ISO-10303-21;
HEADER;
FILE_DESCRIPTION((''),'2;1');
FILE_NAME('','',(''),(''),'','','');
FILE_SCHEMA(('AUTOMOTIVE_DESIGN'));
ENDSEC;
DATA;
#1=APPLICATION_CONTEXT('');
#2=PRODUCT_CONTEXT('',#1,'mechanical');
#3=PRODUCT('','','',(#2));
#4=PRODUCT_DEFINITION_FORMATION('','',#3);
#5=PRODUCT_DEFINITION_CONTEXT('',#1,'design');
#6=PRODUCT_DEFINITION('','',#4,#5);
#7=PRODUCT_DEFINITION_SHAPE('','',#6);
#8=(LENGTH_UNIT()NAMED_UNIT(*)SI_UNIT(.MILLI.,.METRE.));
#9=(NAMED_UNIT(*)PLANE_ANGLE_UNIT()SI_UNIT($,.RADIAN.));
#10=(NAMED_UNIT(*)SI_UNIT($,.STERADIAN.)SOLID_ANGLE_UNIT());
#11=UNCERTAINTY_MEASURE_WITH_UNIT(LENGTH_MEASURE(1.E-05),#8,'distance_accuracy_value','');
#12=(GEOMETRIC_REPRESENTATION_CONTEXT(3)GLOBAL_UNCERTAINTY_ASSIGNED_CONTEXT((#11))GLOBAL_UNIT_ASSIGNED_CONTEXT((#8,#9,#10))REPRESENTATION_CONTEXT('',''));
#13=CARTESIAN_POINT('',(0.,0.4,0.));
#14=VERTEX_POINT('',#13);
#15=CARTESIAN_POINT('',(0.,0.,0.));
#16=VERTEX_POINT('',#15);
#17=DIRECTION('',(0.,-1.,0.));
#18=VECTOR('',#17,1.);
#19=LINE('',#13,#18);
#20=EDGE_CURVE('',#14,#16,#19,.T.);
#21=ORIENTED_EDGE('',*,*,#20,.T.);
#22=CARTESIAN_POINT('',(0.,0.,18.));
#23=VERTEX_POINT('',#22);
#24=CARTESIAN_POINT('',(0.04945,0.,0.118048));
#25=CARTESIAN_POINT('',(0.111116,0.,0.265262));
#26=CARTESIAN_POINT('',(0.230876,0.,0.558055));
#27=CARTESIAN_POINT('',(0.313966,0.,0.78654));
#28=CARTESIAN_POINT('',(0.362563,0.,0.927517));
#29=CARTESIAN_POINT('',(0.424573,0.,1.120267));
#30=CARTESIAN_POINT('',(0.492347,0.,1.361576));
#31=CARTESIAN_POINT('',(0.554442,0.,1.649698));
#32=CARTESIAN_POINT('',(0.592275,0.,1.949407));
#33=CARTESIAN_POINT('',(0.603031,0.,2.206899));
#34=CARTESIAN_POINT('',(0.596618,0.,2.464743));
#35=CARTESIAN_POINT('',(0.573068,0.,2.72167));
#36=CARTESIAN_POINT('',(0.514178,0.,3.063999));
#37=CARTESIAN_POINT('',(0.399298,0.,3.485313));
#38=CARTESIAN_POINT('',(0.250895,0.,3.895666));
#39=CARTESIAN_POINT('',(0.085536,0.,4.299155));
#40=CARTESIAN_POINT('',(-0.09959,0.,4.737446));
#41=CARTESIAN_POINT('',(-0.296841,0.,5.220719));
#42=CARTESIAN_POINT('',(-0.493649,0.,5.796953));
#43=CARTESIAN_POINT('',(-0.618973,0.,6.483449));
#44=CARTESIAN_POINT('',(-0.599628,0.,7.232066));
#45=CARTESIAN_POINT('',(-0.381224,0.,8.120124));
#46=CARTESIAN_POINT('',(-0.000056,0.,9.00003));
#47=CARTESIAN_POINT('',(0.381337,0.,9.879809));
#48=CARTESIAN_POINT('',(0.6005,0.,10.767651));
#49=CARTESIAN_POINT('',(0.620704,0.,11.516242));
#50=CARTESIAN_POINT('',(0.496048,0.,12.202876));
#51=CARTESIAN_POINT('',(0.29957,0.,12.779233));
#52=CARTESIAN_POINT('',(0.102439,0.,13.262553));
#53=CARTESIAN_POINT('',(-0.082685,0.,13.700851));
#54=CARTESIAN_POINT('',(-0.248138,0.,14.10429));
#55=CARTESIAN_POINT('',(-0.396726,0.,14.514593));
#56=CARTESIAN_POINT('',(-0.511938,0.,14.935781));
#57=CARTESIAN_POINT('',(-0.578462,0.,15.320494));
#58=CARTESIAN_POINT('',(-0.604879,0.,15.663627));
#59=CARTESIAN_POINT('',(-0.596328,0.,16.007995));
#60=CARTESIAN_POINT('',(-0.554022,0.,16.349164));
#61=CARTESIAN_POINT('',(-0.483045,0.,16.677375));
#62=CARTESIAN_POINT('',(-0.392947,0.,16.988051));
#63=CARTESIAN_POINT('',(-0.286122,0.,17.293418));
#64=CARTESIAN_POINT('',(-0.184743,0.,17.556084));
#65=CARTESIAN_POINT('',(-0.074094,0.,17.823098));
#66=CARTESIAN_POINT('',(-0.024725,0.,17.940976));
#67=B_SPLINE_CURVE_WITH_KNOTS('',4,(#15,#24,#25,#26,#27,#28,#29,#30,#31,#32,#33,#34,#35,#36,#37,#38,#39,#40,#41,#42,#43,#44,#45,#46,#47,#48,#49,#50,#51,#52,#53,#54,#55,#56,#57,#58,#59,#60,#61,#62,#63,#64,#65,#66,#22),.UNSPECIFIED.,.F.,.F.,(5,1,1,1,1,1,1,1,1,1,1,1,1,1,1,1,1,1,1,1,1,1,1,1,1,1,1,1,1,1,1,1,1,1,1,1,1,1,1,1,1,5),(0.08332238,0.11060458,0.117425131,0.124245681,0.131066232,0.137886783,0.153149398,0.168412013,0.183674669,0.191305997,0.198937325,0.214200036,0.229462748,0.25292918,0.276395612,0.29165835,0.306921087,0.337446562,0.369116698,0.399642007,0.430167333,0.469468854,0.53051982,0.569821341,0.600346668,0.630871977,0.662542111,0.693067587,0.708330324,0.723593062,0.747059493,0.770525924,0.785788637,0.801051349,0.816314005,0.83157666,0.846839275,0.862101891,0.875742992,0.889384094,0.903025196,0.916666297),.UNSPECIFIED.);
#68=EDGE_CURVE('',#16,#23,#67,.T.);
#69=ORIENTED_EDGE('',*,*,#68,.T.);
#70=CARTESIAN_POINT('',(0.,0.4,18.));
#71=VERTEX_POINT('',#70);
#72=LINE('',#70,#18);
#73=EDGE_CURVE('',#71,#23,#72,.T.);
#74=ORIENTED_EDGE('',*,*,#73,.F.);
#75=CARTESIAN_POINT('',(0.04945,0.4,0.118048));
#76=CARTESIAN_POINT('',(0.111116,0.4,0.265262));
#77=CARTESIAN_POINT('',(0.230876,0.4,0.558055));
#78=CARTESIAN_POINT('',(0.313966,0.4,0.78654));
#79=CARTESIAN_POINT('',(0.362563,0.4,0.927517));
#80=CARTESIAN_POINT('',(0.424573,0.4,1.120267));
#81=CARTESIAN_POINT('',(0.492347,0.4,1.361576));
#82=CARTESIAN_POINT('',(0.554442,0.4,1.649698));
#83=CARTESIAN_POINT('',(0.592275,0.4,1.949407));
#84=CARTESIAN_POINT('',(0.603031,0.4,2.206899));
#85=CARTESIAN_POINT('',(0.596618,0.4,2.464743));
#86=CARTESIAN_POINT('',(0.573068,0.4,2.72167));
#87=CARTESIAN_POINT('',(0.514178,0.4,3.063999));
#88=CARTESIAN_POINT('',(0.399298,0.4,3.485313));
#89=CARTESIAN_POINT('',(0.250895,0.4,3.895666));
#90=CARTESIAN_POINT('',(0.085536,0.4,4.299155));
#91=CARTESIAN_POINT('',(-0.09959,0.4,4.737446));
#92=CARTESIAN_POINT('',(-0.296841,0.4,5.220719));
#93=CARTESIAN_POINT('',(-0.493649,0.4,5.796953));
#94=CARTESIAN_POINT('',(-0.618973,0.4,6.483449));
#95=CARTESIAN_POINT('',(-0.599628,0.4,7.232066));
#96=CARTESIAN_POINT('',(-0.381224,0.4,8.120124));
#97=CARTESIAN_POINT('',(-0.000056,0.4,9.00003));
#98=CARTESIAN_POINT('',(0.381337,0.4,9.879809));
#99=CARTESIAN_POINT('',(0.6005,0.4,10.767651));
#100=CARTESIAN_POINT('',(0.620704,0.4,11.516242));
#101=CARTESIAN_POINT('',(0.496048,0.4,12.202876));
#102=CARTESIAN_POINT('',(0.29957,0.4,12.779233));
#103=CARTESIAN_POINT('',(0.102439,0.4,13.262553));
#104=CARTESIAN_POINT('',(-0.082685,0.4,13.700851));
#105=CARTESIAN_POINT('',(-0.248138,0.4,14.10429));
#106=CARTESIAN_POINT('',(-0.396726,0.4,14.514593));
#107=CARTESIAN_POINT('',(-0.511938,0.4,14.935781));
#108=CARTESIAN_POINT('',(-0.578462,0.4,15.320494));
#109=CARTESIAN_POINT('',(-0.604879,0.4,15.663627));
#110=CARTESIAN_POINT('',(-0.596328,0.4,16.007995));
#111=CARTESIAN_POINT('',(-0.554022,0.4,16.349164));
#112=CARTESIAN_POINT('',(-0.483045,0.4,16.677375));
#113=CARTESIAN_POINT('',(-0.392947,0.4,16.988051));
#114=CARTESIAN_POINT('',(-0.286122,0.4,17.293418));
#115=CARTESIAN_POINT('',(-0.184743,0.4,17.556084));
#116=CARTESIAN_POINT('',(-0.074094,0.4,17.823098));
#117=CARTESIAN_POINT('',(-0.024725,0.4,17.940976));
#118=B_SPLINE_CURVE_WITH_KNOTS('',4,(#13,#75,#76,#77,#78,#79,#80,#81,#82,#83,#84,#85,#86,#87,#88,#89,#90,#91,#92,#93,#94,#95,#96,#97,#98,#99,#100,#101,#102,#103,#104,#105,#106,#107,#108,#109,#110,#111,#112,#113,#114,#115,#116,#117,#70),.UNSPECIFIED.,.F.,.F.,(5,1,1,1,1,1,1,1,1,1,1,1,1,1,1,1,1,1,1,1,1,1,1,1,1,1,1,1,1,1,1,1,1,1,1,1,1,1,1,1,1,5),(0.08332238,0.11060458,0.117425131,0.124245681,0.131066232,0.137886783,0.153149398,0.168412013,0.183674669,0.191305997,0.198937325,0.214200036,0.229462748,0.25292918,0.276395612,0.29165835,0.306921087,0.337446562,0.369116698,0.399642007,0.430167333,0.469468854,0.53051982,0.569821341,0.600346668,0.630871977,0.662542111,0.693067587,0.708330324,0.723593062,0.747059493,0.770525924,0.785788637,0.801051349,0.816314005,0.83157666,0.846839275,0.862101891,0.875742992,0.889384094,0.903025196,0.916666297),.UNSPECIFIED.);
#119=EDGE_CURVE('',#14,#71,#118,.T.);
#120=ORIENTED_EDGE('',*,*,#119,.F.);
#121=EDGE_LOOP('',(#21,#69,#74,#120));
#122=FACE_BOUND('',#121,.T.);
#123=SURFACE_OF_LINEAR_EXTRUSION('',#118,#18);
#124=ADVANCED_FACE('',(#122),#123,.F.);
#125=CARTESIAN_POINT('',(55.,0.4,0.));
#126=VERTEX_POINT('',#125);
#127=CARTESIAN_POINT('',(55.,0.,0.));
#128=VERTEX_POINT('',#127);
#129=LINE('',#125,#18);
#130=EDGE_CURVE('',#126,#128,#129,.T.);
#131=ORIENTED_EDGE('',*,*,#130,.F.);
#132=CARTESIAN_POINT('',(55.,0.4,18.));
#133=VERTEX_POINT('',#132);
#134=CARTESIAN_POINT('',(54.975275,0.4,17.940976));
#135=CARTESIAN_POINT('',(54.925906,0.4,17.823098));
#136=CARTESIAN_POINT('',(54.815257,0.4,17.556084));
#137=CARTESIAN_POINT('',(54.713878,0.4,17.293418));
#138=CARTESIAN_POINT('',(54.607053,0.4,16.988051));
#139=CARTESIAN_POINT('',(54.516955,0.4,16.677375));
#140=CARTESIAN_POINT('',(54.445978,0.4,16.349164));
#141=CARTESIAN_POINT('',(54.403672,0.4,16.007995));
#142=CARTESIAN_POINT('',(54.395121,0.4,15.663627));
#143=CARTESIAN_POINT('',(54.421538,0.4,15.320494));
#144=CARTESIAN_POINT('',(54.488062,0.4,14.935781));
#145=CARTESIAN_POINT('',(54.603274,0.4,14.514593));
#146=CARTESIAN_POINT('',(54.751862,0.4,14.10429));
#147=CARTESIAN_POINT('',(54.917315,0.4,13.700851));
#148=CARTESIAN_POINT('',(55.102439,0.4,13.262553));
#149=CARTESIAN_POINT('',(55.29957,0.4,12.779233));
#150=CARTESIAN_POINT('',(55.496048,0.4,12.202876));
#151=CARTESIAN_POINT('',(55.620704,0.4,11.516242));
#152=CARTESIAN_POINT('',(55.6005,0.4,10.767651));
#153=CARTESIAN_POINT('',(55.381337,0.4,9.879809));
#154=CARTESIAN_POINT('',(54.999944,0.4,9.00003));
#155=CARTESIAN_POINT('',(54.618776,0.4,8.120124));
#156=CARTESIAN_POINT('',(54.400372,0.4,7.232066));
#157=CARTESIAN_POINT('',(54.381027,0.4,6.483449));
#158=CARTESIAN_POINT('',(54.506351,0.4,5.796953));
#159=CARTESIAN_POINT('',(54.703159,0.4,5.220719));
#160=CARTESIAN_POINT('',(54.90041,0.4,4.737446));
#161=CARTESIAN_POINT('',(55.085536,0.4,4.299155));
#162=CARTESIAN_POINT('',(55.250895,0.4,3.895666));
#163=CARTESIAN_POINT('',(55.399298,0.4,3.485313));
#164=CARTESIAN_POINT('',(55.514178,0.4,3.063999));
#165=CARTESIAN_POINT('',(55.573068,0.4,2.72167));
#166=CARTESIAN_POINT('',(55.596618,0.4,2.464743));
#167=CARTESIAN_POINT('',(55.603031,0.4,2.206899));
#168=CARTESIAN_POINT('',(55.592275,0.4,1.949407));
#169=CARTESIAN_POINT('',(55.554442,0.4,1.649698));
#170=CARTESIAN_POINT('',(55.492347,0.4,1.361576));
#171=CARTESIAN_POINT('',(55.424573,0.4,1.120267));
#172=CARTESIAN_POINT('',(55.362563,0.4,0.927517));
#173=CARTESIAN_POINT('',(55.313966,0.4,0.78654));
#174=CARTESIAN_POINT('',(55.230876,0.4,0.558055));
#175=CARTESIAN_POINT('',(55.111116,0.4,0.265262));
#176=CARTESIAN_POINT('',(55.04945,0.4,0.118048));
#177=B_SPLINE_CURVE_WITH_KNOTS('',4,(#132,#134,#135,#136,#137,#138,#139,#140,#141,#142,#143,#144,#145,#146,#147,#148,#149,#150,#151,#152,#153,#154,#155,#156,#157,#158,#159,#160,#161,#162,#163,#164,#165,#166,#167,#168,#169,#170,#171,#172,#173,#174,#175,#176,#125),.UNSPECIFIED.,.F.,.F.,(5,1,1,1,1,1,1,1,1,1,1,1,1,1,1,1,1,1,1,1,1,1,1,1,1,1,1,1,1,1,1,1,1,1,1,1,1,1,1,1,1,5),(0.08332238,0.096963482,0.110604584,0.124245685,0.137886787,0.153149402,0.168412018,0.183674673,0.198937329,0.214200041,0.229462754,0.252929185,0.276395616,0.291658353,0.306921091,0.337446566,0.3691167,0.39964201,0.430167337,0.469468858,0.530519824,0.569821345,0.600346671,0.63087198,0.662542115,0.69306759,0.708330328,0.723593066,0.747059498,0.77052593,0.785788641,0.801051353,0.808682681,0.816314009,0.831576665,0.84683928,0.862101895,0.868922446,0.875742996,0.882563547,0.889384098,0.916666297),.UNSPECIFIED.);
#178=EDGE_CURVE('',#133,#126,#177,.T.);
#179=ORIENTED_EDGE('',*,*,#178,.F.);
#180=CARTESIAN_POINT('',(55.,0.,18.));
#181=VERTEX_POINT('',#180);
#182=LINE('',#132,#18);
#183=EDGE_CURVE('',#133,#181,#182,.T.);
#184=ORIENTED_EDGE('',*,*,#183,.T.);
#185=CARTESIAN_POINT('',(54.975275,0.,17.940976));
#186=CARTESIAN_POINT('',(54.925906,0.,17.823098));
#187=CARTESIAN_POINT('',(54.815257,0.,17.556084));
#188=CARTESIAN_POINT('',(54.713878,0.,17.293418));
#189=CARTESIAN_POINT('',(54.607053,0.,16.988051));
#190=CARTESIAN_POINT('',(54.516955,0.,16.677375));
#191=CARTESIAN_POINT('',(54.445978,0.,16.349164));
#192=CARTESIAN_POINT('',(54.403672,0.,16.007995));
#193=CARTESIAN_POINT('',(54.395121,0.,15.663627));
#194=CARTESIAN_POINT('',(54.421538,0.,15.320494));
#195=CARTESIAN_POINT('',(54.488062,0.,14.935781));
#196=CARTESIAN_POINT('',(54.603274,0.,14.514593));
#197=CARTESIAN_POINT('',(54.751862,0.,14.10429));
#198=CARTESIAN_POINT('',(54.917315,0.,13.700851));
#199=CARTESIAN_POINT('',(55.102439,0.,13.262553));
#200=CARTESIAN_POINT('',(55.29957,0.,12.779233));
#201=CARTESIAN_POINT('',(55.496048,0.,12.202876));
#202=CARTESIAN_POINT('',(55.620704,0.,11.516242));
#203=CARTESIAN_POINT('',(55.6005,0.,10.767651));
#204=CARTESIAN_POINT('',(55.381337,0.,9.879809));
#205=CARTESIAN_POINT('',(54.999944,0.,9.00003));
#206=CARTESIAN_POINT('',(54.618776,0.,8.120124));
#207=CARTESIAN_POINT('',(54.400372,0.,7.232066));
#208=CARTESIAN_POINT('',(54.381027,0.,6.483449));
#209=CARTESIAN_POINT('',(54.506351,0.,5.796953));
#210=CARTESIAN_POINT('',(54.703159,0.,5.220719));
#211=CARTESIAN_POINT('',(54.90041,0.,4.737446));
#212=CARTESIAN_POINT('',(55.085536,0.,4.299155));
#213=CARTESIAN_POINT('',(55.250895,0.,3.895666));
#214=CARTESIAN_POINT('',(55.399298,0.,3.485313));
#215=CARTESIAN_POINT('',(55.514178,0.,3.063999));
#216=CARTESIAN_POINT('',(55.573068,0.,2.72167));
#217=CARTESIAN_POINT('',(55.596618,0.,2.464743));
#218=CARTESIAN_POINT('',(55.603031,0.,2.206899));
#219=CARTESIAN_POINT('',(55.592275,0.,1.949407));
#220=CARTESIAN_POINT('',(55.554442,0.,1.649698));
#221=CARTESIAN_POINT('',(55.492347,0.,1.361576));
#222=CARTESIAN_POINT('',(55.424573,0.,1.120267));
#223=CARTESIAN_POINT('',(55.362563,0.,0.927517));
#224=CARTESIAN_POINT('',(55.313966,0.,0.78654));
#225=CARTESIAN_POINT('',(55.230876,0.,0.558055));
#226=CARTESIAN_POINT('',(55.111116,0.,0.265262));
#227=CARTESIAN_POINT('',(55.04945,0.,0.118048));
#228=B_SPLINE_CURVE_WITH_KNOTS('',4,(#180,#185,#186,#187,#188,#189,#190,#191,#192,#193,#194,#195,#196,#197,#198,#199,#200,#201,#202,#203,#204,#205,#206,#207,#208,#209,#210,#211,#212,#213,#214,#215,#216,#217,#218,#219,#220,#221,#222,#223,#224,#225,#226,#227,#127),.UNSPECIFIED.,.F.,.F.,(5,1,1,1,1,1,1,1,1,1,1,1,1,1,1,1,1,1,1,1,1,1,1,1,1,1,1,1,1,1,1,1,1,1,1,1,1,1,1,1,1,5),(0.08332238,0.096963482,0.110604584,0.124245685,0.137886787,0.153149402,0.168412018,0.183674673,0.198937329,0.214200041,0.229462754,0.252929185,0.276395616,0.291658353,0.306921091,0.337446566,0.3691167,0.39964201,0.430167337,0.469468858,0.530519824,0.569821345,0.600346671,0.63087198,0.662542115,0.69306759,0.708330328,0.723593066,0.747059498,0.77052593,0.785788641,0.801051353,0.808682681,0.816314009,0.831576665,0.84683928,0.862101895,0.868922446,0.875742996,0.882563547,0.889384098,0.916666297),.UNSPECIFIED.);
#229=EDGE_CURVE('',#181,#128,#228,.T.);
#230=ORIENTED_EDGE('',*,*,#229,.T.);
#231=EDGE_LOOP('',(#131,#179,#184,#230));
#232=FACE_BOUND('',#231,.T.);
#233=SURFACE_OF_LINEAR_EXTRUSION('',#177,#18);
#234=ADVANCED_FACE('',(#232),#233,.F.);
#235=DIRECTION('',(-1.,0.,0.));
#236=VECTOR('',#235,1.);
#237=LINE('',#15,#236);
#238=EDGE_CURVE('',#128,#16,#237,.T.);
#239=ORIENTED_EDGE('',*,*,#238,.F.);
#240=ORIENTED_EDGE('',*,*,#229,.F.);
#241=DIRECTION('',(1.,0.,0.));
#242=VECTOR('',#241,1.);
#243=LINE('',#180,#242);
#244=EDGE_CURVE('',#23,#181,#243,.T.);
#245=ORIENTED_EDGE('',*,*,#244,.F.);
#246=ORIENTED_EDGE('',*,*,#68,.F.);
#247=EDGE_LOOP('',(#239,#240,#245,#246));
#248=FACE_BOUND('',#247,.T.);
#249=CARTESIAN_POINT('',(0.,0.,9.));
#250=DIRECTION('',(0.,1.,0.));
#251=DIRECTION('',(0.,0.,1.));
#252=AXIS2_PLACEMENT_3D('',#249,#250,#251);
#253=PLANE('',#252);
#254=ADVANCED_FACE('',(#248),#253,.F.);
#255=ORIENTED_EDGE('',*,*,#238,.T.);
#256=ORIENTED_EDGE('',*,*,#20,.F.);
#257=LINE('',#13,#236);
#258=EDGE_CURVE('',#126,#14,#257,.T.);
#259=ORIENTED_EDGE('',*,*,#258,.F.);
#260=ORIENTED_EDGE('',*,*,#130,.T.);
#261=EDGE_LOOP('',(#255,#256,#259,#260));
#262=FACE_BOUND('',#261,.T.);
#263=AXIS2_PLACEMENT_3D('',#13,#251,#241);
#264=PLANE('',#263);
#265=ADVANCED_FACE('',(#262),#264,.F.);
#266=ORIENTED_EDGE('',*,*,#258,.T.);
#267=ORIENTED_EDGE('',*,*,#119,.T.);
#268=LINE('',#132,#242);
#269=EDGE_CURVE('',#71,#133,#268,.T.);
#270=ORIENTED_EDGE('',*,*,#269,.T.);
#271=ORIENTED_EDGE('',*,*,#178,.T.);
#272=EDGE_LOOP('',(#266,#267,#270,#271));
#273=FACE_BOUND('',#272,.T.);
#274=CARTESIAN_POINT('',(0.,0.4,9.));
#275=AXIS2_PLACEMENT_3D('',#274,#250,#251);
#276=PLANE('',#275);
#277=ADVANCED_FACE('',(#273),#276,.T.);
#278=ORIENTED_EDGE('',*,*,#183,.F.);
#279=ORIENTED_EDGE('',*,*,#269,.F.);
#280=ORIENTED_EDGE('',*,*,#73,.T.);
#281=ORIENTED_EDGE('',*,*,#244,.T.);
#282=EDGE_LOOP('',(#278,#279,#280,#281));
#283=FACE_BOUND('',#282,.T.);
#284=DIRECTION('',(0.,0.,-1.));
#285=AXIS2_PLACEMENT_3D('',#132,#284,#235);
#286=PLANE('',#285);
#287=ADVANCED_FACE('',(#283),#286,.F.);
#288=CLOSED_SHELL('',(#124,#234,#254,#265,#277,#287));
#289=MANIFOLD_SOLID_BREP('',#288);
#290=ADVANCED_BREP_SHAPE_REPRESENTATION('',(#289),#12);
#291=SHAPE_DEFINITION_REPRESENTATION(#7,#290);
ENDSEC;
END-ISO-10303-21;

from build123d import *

# Parameters (mm, degrees)
BOSS_EXTRUDE1_DEPTH = 0.4


with BuildPart() as part:
    # Sketch1 → Boss-Extrude1 (new body)
    with BuildSketch(Plane(origin=(0, 0, 0), x_dir=(1, 0, 0), z_dir=(0, 1, 0))):
        with BuildLine():
            Line((0, 0), (55, 0))
            add(Edge.make_bspline(
                [(55, 0), (55.049449566, -0.118048236), (55.111116121, -0.265261767), (55.230875713, -0.558055111), (55.313966248, -0.78653977), (55.362563048, -0.927516596), (55.424573498, -1.120266976), (55.492346834, -1.361576076), (55.554441877, -1.649698324), (55.592274908, -1.949406714), (55.603031319, -2.206899085), (55.596617784, -2.46474337), (55.573067652, -2.7216697), (55.514178041, -3.063998966), (55.399297623, -3.48531299), (55.25089524, -3.895665746), (55.085536401, -4.299154578), (54.900409644, -4.737446397), (54.703159304, -5.220718922), (54.506351444, -5.796953023), (54.381026537, -6.483449136), (54.400372028, -7.232066465), (54.618776409, -8.120124004), (54.999944314, -9.00003028), (55.381336688, -9.879808571), (55.600500416, -10.767651071), (55.620704458, -11.51624215), (55.496048404, -12.202876161), (55.299570119, -12.779233487), (55.102439222, -13.262553413), (54.917314953, -13.700851056), (54.751862189, -14.104290103), (54.603274031, -14.51459272), (54.488062188, -14.935780978), (54.421537982, -15.320493582), (54.39512077, -15.663626876), (54.40367216, -16.00799493), (54.445977619, -16.349164286), (54.516955418, -16.677374827), (54.607052673, -16.98805117), (54.713878, -17.293418434), (54.815256707, -17.556083772), (54.925906416, -17.823098462), (54.975275264, -17.940975828), (55, -18)],
                knots=[0.08332238, 0.08332238, 0.08332238, 0.08332238, 0.08332238, 0.11060458, 0.117425131, 0.124245681, 0.131066232, 0.137886783, 0.153149398, 0.168412013, 0.183674669, 0.191305997, 0.198937325, 0.214200036, 0.229462748, 0.25292918, 0.276395612, 0.29165835, 0.306921087, 0.337446562, 0.369116698, 0.399642007, 0.430167333, 0.469468854, 0.53051982, 0.569821341, 0.600346668, 0.630871977, 0.662542111, 0.693067587, 0.708330324, 0.723593062, 0.747059493, 0.770525924, 0.785788637, 0.801051349, 0.816314005, 0.83157666, 0.846839275, 0.862101891, 0.875742992, 0.889384094, 0.903025196, 0.916666297, 0.916666297, 0.916666297, 0.916666297, 0.916666297], degree=4))
            Line((55, -18), (0, -18))
            add(Edge.make_bspline(
                [(0, 0), (0.049449566, -0.118048236), (0.111116121, -0.265261767), (0.230875713, -0.558055111), (0.313966248, -0.78653977), (0.362563048, -0.927516596), (0.424573498, -1.120266976), (0.492346834, -1.361576076), (0.554441877, -1.649698324), (0.592274908, -1.949406714), (0.603031319, -2.206899085), (0.596617784, -2.46474337), (0.573067652, -2.7216697), (0.514178041, -3.063998966), (0.399297623, -3.48531299), (0.25089524, -3.895665746), (0.085536401, -4.299154578), (-0.099590356, -4.737446397), (-0.296840696, -5.220718922), (-0.493648556, -5.796953023), (-0.618973463, -6.483449136), (-0.599627972, -7.232066465), (-0.381223591, -8.120124004), (-5.5686e-05, -9.00003028), (0.381336688, -9.879808571), (0.600500416, -10.767651071), (0.620704458, -11.51624215), (0.496048404, -12.202876161), (0.299570119, -12.779233487), (0.102439222, -13.262553413), (-0.082685047, -13.700851056), (-0.248137811, -14.104290103), (-0.396725969, -14.51459272), (-0.511937812, -14.935780978), (-0.578462018, -15.320493582), (-0.60487923, -15.663626876), (-0.59632784, -16.00799493), (-0.554022381, -16.349164286), (-0.483044582, -16.677374827), (-0.392947327, -16.98805117), (-0.286122, -17.293418434), (-0.184743293, -17.556083772), (-0.074093584, -17.823098462), (-0.024724736, -17.940975828), (0, -18)],
                knots=[0.08332238, 0.08332238, 0.08332238, 0.08332238, 0.08332238, 0.11060458, 0.117425131, 0.124245681, 0.131066232, 0.137886783, 0.153149398, 0.168412013, 0.183674669, 0.191305997, 0.198937325, 0.214200036, 0.229462748, 0.25292918, 0.276395612, 0.29165835, 0.306921087, 0.337446562, 0.369116698, 0.399642007, 0.430167333, 0.469468854, 0.53051982, 0.569821341, 0.600346668, 0.630871977, 0.662542111, 0.693067587, 0.708330324, 0.723593062, 0.747059493, 0.770525924, 0.785788637, 0.801051349, 0.816314005, 0.83157666, 0.846839275, 0.862101891, 0.875742992, 0.889384094, 0.903025196, 0.916666297, 0.916666297, 0.916666297, 0.916666297, 0.916666297], degree=4))
        make_face()
    extrude(amount=BOSS_EXTRUDE1_DEPTH)


solid = part.part
